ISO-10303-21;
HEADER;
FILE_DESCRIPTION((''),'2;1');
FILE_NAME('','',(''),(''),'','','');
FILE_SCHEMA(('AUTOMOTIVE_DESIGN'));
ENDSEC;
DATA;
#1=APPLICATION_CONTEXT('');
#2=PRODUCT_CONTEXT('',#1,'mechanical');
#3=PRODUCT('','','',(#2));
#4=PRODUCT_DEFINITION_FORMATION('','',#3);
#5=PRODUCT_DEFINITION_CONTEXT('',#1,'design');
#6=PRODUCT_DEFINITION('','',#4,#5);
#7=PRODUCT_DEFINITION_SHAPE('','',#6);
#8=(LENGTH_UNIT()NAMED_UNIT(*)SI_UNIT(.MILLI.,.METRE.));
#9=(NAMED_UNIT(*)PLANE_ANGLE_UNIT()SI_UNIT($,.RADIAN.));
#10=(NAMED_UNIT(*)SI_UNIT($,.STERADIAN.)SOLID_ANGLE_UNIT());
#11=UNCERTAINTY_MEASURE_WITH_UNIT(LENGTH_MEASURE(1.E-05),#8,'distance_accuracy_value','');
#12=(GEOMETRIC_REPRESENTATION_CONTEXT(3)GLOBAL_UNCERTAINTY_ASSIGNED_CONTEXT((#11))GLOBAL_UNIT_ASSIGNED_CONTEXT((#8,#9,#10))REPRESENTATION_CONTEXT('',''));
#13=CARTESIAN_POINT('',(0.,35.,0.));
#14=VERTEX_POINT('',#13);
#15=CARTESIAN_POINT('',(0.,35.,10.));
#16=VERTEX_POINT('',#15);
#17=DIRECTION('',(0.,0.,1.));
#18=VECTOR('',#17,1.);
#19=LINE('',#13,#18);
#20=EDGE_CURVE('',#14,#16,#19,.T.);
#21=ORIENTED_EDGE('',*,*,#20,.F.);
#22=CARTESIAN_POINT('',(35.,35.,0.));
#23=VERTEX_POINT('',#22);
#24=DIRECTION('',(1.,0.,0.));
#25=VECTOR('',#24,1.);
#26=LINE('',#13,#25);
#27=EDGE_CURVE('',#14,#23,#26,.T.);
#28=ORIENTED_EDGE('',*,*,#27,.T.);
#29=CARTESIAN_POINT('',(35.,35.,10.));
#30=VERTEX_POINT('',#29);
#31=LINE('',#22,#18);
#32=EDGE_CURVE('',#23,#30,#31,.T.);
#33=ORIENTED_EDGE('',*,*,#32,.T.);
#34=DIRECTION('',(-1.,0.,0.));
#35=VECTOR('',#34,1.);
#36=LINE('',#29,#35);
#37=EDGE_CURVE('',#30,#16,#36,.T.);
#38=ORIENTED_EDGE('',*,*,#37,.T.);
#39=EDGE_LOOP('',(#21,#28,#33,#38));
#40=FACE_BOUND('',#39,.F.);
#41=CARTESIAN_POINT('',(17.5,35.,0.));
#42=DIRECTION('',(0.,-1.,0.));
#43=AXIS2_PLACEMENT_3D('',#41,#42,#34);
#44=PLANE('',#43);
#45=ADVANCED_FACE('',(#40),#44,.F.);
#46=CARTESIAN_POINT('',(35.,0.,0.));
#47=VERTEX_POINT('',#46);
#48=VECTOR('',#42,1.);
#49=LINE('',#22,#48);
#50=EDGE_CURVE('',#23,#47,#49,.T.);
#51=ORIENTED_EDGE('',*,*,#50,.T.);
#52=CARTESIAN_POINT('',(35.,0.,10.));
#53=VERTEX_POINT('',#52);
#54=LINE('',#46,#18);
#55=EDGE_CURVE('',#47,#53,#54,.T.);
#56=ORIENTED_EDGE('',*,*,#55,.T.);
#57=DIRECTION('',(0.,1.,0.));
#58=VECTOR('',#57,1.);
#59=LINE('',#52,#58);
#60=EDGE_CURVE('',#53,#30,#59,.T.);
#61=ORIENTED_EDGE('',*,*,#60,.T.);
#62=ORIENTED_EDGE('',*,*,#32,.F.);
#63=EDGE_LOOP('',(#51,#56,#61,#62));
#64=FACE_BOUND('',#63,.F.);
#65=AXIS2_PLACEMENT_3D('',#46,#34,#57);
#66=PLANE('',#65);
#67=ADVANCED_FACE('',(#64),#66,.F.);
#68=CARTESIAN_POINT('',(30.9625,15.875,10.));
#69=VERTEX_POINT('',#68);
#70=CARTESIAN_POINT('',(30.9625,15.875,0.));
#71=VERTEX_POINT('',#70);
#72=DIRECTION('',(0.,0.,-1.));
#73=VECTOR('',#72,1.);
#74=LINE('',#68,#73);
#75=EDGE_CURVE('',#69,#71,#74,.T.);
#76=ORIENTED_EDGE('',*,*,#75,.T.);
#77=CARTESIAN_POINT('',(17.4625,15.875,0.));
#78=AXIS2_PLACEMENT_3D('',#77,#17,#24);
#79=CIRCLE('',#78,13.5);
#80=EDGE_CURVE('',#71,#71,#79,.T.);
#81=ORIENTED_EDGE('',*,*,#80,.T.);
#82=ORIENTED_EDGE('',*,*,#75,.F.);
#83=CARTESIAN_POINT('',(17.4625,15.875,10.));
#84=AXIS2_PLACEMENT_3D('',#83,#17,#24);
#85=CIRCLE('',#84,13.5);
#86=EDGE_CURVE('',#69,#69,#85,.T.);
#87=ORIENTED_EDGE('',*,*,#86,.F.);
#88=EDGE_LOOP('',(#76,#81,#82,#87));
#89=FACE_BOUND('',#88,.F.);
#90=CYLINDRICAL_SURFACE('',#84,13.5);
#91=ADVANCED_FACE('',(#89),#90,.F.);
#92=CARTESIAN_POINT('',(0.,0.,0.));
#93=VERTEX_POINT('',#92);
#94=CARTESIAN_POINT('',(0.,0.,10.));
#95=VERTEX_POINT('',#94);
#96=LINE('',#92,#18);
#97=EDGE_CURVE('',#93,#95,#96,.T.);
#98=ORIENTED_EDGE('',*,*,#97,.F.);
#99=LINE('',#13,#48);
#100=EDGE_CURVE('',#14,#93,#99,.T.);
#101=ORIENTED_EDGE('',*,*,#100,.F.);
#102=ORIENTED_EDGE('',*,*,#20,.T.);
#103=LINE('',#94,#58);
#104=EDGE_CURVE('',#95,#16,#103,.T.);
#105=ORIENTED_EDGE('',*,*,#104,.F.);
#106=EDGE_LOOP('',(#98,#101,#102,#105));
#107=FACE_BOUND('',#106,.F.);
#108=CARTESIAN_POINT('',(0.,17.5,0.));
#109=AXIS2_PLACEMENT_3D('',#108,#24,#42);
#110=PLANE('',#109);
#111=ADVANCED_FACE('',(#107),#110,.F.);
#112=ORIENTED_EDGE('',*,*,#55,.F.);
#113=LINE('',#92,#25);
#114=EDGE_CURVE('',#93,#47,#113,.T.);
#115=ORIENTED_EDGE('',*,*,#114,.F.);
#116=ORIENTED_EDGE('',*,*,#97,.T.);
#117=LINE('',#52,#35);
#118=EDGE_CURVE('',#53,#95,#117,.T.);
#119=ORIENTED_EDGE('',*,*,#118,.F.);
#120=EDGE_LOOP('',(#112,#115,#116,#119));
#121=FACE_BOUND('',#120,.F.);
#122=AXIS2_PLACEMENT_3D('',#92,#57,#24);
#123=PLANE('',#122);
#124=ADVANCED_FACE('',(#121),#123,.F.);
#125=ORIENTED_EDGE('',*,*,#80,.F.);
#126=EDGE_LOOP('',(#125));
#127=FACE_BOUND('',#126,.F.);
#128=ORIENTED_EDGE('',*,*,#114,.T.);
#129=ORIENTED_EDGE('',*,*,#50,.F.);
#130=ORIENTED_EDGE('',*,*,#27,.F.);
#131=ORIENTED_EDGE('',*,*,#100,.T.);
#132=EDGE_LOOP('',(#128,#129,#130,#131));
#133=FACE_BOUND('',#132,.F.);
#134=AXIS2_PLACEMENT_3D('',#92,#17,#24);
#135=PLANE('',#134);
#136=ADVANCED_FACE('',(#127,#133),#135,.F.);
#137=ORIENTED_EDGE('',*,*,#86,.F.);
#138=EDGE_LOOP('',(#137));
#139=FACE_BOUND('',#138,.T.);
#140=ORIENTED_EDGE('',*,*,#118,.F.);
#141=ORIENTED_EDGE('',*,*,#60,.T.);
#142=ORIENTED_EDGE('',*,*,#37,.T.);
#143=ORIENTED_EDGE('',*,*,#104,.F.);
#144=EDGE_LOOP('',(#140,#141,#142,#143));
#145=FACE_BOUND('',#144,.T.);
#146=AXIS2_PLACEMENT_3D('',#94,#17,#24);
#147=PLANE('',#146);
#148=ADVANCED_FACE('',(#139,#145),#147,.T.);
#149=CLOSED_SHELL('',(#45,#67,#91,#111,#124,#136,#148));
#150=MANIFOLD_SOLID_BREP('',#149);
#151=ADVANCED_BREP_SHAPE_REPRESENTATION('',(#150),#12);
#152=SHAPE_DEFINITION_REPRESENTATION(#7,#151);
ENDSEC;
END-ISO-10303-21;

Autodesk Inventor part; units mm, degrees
ref_plane "YZ Plane" through (0, 0, 0) normal (1, 0, 0) x (0, 1, 0)
ref_plane "XZ Plane" through (0, 0, 0) normal (0, 1, 0) x (-1, 0, 0)
ref_plane "XY Plane" through (0, 0, 0) normal (0, 0, 1) x (1, 0, 0)
sketch "Sketch1" plane through (0, 0, 0) normal (0, 0, 1) x (1, 0, 0)
  line L0 (0, 0) -> (35, 0)
  line L1 (35, 0) -> (35, 35)
  line L2 (35, 35) -> (0, 35)
  line L3 (0, 35) -> (0, 0)
  line L4 (17.5, 35) -> (17.5, 0)
  line L5 (0, 17.5) -> (35, 17.5)
  dimension "d0" = 35
  dimension "d1" = 35
extrude "Extrusion1" add sketch "Sketch1" along normal blind 10
sketch "Sketch2" plane through (0, 0, 10) normal (0, 0, 1) x (1, 0, 0)
  point P0 (0, 0)
sketch "Sketch3" plane through (0, 0, 10) normal (0, 0, 1) x (1, 0, 0)
  circle A0 centre (17.4625, 15.875) radius 13.5
  point P0 (0, 0)
  dimension "d4" = 27
extrude "Extrusion2" cut sketch "Sketch3" against normal through all
thread "Thread1" size "M27x3" class "6H" standard "ANSI Metric M Profile" full length
properties part number "dc motor nut"
